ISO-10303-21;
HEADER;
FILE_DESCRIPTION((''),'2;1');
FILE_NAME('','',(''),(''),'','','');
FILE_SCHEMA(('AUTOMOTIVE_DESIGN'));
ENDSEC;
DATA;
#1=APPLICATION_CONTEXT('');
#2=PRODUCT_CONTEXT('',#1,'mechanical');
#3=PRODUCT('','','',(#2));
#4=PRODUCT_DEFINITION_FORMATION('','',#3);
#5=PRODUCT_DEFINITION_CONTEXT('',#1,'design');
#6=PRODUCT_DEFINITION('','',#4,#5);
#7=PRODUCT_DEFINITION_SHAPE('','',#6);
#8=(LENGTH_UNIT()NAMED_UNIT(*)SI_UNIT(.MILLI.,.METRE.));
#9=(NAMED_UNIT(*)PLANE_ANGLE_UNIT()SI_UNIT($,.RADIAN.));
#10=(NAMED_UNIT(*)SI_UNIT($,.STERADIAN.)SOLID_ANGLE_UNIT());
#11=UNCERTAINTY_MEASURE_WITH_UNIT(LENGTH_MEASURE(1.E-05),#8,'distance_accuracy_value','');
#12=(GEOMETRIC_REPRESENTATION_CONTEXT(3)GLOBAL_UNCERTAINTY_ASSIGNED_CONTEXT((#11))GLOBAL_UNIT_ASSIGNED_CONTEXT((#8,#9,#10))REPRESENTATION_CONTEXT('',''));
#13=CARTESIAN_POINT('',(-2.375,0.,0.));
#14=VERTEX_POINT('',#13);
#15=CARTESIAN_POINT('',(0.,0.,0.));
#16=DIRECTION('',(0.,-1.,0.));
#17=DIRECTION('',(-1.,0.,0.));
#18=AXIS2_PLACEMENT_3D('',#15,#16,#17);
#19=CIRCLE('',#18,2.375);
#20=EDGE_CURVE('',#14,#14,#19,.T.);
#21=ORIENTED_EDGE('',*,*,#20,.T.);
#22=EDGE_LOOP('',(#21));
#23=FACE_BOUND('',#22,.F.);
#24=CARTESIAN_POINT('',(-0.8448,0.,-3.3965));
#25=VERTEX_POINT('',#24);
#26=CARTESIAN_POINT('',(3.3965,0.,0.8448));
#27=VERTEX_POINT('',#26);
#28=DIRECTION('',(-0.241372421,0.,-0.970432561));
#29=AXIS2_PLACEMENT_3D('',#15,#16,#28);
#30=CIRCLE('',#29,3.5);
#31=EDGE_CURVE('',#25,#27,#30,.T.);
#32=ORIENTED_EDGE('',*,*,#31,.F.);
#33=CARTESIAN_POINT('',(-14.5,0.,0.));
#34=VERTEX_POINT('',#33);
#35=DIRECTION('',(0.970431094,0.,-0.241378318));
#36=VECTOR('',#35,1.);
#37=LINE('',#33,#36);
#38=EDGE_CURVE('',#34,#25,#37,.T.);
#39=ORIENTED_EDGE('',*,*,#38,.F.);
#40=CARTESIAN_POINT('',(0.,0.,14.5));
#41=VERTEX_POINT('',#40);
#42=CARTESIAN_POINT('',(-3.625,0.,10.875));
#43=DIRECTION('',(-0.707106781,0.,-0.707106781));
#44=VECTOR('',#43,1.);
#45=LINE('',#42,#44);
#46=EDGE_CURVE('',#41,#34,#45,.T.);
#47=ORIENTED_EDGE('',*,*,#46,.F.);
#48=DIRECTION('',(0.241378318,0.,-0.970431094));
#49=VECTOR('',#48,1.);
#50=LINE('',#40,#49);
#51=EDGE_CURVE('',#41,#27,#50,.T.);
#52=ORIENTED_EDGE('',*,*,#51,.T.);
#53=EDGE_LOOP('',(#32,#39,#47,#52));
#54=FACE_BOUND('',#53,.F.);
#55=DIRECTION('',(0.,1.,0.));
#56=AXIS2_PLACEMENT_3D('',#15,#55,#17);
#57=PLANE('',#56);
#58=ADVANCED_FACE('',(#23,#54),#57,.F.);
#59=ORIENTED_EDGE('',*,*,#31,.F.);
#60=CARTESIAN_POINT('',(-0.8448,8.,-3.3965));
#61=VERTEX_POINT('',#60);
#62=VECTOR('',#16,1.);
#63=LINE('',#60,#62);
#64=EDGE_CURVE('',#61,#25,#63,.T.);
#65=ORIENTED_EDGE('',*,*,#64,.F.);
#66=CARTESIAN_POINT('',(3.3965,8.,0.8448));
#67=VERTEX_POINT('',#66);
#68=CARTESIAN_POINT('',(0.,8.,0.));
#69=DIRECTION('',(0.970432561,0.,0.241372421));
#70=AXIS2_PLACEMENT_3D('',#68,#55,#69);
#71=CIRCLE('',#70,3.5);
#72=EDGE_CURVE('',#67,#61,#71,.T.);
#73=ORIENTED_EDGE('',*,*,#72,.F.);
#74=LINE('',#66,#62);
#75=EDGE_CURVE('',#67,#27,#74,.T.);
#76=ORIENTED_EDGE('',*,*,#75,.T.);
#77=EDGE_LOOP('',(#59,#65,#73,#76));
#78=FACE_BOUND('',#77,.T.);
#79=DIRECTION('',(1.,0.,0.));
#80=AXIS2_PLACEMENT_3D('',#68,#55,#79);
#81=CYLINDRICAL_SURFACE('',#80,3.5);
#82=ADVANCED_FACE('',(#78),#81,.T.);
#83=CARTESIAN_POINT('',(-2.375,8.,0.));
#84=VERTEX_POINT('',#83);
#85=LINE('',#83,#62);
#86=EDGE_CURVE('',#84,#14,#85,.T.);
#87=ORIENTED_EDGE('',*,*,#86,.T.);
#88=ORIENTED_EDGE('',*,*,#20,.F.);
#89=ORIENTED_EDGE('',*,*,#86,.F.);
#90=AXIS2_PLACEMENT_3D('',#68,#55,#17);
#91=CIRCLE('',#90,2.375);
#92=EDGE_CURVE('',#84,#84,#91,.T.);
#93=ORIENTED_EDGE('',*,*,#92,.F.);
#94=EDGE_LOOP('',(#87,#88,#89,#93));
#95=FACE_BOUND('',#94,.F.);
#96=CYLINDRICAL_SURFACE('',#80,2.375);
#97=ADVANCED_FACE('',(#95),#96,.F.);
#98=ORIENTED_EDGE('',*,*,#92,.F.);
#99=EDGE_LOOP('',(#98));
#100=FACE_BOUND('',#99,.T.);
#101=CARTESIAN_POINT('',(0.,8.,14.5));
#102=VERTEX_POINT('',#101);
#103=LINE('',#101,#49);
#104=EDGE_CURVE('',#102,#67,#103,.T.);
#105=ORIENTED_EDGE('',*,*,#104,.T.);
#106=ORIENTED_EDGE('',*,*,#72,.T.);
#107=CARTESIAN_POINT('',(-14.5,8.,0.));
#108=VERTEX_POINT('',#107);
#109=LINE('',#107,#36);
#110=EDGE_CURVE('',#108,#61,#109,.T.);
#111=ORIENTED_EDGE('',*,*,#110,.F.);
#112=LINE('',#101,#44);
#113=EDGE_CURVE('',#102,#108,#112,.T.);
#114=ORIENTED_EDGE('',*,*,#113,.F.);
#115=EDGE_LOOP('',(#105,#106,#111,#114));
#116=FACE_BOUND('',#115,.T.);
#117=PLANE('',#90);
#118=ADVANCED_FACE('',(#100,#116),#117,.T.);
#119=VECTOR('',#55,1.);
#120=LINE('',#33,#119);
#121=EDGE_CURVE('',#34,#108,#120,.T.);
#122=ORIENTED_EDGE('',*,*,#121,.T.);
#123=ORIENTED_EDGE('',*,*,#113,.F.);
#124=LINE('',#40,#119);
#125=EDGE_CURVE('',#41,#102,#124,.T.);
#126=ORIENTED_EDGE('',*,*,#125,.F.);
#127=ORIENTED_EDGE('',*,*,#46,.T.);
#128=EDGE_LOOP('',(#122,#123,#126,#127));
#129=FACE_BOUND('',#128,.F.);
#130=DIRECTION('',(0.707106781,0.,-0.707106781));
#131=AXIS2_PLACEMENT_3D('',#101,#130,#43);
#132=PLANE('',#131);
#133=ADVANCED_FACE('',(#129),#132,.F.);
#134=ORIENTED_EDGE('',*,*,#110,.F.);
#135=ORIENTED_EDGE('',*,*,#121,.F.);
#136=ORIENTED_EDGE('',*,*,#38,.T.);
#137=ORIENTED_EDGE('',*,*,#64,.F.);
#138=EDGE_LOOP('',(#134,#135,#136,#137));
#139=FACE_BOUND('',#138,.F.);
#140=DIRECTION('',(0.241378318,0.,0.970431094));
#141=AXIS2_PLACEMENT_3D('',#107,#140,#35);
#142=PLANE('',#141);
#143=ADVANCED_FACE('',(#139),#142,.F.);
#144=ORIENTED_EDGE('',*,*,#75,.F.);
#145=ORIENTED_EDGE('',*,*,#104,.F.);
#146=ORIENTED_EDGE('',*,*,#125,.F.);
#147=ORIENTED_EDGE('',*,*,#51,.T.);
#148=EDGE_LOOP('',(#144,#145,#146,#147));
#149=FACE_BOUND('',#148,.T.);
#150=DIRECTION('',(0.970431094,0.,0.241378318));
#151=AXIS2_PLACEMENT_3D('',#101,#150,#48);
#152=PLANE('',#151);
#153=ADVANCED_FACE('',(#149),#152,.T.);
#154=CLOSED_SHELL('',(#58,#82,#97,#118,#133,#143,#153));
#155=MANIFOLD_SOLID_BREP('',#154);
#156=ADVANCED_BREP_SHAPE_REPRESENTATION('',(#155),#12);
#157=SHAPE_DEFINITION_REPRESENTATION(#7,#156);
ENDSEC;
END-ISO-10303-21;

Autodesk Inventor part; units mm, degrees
ref_plane "YZ Plane" through (0, 0, 0) normal (1, 0, 0) x (0, 1, 0)
ref_plane "XZ Plane" through (0, 0, 0) normal (0, 1, 0) x (-1, 0, 0)
ref_plane "XY Plane" through (0, 0, 0) normal (0, 0, 1) x (1, 0, 0)
sketch "Sketch1" plane through (0, 0, 0) normal (0, 1, 0) x (-1, 0, 0)
  circle A0 centre (0, 0) radius 14.5
  line L0 (0, 0) -> (14.5, 0)
  line L1 (0, 0) -> (0, 14.5)
  dimension "d0" = 29
extrude "Extrusion1" add sketch "Sketch1" along normal blind 8 contours L0 L1 A0 picked at (1.0755, 9.5455)
sketch "Sketch2" plane through (0, 8, 0) normal (0, 1, 0) x (1, 0, 0)
  line L0 (0, -14.5) -> (0, 0) projected
  circle A0 centre (0, 0) radius 2.375
  circle A1 centre (0, 0) radius 3.5
  arc A2 (-14.5, 0) -> (0, -14.5) centre (0, 0) ccw projected
  line L1 (0, -14.5) -> (3.3965, -0.8448)
  line L2 (0, 0) -> (-14.5, 0) projected
  line L3 (-14.5, 0) -> (-0.8448, 3.3965)
  point P0 (-2.375, 0)
  point P1 (0, -2.375)
  dimension "d3" = 4.75
  dimension "d4" = 7
extrude "Extrusion2" add sketch "Sketch2" against normal blind 8 contours L0 A1 L1 | L0 A0 L2 A1 | L3 A1 L2 picked at (3.0951, 0.2624)
sketch "Sketch3" plane through (0, 8, 0) normal (0, 1, 0) x (1, 0, 0)
  line L0 (0, 0) -> (-2.375, 0) projected
  circle A0 centre (0, 0) radius 2.375
extrude "Extrusion3" cut sketch "Sketch3" against normal blind 8
sketch "Sketch4" plane through (0, 8, 0) normal (0, 1, 0) x (1, 0, 0)
  arc A0 (-14.5, 0) -> (0, -14.5) centre (0, 0) ccw projected
  line L0 (-14.5, 0) -> (-0.8448, 3.3965) projected
  line L1 (0, -14.5) -> (-14.5, 0)
  line L2 (-14.5, 0) -> (-23.5148, -10.1914)
  line L3 (-23.5148, -10.1914) -> (-2.2293, -23.4627)
  line L4 (3.3965, -0.8448) -> (0, -14.5) projected
  line L5 (-2.2293, -23.4627) -> (0, -14.5)
extrude "Extrusion4" cut sketch "Sketch4" against normal blind 10 contours L1 A0
properties part number "bell_crank_v2"
